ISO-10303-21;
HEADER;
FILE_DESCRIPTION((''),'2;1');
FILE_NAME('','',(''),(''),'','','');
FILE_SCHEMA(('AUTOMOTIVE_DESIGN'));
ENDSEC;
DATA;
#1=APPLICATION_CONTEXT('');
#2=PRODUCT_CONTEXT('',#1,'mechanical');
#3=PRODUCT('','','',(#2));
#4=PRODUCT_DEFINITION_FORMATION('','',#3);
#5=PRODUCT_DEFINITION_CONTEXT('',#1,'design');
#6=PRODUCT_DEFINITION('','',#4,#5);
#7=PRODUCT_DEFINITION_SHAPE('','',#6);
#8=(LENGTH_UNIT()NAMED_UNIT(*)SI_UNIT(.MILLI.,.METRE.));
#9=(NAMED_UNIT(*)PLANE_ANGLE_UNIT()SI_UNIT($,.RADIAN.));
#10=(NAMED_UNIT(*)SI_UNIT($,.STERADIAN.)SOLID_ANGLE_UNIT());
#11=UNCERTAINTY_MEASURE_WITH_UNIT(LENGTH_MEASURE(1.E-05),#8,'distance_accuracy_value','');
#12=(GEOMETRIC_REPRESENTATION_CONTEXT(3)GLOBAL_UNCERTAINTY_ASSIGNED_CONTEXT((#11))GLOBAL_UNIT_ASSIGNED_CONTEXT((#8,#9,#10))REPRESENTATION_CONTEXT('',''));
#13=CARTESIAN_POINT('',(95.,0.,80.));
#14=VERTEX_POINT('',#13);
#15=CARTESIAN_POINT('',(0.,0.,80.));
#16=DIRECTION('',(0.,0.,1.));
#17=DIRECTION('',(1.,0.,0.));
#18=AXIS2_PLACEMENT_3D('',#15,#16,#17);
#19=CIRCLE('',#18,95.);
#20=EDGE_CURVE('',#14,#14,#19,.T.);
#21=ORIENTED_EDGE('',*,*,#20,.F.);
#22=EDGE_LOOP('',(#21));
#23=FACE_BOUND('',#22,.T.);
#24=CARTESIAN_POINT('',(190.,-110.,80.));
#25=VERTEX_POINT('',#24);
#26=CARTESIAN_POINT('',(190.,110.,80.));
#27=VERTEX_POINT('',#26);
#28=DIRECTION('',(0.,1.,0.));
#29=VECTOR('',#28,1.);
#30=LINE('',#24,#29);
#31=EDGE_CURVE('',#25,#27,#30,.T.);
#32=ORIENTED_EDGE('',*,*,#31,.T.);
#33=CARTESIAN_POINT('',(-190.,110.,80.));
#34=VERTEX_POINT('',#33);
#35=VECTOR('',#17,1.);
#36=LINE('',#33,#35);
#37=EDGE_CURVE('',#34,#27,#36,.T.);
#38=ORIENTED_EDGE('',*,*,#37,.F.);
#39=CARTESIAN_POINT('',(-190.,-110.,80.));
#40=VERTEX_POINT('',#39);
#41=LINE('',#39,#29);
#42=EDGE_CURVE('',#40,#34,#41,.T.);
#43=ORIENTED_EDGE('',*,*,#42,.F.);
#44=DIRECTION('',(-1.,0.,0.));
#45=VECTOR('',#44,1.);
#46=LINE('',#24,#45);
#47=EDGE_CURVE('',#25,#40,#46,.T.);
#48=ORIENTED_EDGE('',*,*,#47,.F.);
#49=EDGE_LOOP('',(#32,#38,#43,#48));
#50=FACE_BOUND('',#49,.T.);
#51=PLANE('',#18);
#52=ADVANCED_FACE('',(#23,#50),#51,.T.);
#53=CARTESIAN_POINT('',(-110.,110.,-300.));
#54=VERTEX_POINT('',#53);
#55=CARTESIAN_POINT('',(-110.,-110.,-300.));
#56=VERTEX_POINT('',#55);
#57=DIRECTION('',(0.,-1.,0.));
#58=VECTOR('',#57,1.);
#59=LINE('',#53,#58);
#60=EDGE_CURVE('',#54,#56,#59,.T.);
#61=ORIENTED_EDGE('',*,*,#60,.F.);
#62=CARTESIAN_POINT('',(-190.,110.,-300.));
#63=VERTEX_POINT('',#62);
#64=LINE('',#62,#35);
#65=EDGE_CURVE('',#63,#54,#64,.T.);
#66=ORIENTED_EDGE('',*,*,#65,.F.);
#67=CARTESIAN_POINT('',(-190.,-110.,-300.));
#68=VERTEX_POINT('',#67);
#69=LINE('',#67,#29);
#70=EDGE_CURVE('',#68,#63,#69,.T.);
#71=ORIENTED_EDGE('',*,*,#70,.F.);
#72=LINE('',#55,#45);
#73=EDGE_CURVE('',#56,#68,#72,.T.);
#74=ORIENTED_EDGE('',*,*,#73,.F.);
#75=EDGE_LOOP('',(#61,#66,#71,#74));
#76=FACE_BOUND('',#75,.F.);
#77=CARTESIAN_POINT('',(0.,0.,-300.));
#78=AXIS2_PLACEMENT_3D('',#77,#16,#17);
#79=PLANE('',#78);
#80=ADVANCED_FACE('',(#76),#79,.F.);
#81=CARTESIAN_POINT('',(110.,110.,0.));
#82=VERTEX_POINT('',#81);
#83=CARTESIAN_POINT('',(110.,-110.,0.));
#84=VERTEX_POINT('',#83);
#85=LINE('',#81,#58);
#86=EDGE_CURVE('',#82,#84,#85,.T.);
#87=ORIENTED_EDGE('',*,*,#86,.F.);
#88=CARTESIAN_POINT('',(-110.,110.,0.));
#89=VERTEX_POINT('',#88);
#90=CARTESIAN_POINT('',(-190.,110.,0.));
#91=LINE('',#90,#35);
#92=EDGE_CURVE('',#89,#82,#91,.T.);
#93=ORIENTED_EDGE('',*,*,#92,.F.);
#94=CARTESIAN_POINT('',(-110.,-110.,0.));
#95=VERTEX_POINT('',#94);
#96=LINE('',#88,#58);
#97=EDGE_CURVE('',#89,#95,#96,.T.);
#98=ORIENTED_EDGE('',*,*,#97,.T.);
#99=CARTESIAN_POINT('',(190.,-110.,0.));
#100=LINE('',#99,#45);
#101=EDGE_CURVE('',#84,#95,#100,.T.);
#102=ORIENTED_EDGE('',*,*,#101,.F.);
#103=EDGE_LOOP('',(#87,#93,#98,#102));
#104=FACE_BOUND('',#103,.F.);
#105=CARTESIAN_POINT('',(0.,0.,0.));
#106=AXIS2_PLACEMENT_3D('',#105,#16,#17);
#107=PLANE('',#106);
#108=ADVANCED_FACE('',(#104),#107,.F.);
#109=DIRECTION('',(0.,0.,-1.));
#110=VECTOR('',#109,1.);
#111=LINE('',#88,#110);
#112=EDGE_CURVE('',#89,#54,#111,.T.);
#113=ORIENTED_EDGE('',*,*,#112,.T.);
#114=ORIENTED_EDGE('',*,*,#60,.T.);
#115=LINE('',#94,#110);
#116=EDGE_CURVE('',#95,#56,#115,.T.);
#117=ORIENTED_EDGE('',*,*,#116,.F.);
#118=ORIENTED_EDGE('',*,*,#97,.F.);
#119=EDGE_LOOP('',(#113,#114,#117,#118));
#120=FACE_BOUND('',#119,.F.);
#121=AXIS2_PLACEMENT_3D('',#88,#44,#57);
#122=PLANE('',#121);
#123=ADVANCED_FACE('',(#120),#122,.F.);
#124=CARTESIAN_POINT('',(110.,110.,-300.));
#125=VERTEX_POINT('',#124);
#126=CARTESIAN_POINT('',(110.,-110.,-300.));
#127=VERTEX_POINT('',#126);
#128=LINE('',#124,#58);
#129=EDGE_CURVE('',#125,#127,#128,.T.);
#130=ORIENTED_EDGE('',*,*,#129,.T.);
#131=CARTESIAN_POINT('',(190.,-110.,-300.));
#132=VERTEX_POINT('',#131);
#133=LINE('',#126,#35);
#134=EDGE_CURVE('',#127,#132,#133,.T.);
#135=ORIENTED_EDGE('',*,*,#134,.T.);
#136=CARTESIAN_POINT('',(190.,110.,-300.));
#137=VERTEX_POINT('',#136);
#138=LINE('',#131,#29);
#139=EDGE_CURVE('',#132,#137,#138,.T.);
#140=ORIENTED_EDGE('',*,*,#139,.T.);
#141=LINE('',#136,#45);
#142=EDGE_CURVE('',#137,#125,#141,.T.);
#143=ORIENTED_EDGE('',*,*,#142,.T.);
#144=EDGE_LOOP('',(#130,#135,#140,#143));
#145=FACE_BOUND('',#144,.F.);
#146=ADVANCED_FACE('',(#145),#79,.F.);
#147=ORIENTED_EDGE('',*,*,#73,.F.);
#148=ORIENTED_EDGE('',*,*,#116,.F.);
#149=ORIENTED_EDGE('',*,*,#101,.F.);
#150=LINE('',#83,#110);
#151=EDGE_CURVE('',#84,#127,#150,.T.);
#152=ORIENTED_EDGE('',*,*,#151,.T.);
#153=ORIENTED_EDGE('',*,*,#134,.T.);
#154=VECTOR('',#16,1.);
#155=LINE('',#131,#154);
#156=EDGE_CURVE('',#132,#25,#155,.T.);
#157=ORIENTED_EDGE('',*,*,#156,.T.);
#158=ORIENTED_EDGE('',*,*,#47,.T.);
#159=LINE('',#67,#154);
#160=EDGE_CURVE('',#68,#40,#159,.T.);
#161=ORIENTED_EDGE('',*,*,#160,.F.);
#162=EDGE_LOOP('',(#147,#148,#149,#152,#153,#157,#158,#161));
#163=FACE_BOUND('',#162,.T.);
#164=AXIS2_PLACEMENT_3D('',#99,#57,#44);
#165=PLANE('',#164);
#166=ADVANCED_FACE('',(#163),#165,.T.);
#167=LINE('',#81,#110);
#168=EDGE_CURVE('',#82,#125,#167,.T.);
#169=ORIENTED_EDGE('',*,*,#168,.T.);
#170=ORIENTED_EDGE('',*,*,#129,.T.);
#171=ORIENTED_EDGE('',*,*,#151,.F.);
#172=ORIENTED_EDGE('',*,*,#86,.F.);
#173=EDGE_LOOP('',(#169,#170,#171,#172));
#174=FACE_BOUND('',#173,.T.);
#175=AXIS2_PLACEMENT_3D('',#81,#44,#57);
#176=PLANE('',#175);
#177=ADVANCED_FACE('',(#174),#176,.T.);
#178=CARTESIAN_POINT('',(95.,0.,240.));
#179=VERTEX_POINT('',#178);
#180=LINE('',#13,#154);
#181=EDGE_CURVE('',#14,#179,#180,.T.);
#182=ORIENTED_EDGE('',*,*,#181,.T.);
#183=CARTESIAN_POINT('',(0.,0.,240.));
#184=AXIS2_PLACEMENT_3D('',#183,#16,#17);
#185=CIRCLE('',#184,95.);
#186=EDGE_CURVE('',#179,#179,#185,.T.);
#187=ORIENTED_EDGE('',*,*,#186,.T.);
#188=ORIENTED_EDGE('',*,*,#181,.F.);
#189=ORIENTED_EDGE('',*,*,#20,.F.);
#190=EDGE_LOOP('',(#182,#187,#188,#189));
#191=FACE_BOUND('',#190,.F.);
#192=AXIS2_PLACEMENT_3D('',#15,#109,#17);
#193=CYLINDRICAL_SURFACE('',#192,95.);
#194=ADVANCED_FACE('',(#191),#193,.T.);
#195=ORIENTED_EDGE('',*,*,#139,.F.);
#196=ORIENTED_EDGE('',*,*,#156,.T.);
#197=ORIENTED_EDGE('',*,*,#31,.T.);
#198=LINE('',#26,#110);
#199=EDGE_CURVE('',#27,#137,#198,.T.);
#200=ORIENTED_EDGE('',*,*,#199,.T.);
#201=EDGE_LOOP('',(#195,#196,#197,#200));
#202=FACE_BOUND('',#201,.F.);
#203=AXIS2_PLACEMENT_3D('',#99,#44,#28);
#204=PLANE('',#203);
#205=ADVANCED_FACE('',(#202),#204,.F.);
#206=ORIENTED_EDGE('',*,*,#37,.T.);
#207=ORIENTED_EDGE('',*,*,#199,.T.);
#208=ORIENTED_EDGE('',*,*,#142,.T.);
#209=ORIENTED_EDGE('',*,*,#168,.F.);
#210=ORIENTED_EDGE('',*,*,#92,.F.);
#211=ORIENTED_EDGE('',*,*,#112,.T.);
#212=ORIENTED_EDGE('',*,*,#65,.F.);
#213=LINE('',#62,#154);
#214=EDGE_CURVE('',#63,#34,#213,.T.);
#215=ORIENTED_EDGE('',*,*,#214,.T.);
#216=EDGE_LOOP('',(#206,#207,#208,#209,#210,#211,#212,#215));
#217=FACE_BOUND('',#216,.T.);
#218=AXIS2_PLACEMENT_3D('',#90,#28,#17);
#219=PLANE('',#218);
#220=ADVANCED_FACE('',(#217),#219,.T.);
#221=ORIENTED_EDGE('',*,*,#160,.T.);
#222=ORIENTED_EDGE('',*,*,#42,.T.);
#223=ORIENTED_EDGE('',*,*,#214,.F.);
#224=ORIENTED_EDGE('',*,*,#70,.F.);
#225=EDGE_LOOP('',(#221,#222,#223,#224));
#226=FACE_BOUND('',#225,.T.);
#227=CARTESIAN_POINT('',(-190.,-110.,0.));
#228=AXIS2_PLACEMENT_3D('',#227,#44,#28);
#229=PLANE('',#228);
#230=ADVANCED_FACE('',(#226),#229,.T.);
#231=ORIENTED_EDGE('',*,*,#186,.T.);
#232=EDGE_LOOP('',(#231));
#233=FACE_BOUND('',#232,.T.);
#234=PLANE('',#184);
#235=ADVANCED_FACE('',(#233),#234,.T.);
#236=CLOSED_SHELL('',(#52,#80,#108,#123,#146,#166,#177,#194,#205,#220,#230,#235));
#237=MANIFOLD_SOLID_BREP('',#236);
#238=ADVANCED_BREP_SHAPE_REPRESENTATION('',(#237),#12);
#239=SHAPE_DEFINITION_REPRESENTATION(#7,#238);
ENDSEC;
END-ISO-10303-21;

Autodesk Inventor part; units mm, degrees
ref_plane "YZ Plane" through (0, 0, 0) normal (1, 0, 0) x (0, 1, 0)
ref_plane "XZ Plane" through (0, 0, 0) normal (0, 1, 0) x (-1, 0, 0)
ref_plane "XY Plane" through (0, 0, 0) normal (0, 0, 1) x (1, 0, 0)
sketch "Sketch2" plane through (0, 0, 0) normal (0, 0, 1) x (1, 0, 0)
  line L0 (-190, 110) -> (-110, 110)
  line L1 (-110, 110) -> (-110, -110)
  line L2 (-110, -110) -> (-190, -110)
  line L3 (-190, -110) -> (-190, 110)
  line L4 (-190, 110) -> (-110, -110) construction
  line L5 (-110, 110) -> (-190, -110) construction
  line L6 (0, 0) -> (0, 15) construction
  line L7 (190, 110) -> (110, 110)
  line L8 (110, 110) -> (110, -110)
  line L9 (110, -110) -> (190, -110)
  line L10 (190, -110) -> (190, 110)
  line L11 (190, 110) -> (110, -110) construction
  line L12 (110, 110) -> (190, -110) construction
  point P0 (-150, 0)
  point P1 (-150, 0)
  point P2 (150, 0)
  point P3 (150, 0)
  dimension "d0" = 80
  dimension "d1" = 220
  dimension "d2" = 150
  dimension "d3" = 15
extrude "Extrusion1" add sketch "Sketch2" against normal blind 300
sketch "Sketch3" plane through (0, 0, 0) normal (0, 0, 1) x (1, 0, 0)
  line L0 (-190, 110) -> (-110, 110) projected
  line L1 (190, -110) -> (190, 110) projected
  line L2 (-190, 110) -> (190, 110)
  line L3 (190, 110) -> (190, -110)
  line L4 (190, -110) -> (-190, -110)
  line L5 (-190, -110) -> (-190, 110)
  point P0 (0, 0)
extrude "Extrusion2" add sketch "Sketch3" along normal blind 80
sketch "Sketch4" plane through (0, 0, 80) normal (0, 0, 1) x (1, 0, 0)
  circle A0 centre (0, 0) radius 95
  dimension "d8" = 190
extrude "Extrusion3" add sketch "Sketch4" along normal blind 160
thread "Thread1" size "M190x8" class "6g" standard "ANSI Metric M Profile" full length
properties part number "09_Gripper"
